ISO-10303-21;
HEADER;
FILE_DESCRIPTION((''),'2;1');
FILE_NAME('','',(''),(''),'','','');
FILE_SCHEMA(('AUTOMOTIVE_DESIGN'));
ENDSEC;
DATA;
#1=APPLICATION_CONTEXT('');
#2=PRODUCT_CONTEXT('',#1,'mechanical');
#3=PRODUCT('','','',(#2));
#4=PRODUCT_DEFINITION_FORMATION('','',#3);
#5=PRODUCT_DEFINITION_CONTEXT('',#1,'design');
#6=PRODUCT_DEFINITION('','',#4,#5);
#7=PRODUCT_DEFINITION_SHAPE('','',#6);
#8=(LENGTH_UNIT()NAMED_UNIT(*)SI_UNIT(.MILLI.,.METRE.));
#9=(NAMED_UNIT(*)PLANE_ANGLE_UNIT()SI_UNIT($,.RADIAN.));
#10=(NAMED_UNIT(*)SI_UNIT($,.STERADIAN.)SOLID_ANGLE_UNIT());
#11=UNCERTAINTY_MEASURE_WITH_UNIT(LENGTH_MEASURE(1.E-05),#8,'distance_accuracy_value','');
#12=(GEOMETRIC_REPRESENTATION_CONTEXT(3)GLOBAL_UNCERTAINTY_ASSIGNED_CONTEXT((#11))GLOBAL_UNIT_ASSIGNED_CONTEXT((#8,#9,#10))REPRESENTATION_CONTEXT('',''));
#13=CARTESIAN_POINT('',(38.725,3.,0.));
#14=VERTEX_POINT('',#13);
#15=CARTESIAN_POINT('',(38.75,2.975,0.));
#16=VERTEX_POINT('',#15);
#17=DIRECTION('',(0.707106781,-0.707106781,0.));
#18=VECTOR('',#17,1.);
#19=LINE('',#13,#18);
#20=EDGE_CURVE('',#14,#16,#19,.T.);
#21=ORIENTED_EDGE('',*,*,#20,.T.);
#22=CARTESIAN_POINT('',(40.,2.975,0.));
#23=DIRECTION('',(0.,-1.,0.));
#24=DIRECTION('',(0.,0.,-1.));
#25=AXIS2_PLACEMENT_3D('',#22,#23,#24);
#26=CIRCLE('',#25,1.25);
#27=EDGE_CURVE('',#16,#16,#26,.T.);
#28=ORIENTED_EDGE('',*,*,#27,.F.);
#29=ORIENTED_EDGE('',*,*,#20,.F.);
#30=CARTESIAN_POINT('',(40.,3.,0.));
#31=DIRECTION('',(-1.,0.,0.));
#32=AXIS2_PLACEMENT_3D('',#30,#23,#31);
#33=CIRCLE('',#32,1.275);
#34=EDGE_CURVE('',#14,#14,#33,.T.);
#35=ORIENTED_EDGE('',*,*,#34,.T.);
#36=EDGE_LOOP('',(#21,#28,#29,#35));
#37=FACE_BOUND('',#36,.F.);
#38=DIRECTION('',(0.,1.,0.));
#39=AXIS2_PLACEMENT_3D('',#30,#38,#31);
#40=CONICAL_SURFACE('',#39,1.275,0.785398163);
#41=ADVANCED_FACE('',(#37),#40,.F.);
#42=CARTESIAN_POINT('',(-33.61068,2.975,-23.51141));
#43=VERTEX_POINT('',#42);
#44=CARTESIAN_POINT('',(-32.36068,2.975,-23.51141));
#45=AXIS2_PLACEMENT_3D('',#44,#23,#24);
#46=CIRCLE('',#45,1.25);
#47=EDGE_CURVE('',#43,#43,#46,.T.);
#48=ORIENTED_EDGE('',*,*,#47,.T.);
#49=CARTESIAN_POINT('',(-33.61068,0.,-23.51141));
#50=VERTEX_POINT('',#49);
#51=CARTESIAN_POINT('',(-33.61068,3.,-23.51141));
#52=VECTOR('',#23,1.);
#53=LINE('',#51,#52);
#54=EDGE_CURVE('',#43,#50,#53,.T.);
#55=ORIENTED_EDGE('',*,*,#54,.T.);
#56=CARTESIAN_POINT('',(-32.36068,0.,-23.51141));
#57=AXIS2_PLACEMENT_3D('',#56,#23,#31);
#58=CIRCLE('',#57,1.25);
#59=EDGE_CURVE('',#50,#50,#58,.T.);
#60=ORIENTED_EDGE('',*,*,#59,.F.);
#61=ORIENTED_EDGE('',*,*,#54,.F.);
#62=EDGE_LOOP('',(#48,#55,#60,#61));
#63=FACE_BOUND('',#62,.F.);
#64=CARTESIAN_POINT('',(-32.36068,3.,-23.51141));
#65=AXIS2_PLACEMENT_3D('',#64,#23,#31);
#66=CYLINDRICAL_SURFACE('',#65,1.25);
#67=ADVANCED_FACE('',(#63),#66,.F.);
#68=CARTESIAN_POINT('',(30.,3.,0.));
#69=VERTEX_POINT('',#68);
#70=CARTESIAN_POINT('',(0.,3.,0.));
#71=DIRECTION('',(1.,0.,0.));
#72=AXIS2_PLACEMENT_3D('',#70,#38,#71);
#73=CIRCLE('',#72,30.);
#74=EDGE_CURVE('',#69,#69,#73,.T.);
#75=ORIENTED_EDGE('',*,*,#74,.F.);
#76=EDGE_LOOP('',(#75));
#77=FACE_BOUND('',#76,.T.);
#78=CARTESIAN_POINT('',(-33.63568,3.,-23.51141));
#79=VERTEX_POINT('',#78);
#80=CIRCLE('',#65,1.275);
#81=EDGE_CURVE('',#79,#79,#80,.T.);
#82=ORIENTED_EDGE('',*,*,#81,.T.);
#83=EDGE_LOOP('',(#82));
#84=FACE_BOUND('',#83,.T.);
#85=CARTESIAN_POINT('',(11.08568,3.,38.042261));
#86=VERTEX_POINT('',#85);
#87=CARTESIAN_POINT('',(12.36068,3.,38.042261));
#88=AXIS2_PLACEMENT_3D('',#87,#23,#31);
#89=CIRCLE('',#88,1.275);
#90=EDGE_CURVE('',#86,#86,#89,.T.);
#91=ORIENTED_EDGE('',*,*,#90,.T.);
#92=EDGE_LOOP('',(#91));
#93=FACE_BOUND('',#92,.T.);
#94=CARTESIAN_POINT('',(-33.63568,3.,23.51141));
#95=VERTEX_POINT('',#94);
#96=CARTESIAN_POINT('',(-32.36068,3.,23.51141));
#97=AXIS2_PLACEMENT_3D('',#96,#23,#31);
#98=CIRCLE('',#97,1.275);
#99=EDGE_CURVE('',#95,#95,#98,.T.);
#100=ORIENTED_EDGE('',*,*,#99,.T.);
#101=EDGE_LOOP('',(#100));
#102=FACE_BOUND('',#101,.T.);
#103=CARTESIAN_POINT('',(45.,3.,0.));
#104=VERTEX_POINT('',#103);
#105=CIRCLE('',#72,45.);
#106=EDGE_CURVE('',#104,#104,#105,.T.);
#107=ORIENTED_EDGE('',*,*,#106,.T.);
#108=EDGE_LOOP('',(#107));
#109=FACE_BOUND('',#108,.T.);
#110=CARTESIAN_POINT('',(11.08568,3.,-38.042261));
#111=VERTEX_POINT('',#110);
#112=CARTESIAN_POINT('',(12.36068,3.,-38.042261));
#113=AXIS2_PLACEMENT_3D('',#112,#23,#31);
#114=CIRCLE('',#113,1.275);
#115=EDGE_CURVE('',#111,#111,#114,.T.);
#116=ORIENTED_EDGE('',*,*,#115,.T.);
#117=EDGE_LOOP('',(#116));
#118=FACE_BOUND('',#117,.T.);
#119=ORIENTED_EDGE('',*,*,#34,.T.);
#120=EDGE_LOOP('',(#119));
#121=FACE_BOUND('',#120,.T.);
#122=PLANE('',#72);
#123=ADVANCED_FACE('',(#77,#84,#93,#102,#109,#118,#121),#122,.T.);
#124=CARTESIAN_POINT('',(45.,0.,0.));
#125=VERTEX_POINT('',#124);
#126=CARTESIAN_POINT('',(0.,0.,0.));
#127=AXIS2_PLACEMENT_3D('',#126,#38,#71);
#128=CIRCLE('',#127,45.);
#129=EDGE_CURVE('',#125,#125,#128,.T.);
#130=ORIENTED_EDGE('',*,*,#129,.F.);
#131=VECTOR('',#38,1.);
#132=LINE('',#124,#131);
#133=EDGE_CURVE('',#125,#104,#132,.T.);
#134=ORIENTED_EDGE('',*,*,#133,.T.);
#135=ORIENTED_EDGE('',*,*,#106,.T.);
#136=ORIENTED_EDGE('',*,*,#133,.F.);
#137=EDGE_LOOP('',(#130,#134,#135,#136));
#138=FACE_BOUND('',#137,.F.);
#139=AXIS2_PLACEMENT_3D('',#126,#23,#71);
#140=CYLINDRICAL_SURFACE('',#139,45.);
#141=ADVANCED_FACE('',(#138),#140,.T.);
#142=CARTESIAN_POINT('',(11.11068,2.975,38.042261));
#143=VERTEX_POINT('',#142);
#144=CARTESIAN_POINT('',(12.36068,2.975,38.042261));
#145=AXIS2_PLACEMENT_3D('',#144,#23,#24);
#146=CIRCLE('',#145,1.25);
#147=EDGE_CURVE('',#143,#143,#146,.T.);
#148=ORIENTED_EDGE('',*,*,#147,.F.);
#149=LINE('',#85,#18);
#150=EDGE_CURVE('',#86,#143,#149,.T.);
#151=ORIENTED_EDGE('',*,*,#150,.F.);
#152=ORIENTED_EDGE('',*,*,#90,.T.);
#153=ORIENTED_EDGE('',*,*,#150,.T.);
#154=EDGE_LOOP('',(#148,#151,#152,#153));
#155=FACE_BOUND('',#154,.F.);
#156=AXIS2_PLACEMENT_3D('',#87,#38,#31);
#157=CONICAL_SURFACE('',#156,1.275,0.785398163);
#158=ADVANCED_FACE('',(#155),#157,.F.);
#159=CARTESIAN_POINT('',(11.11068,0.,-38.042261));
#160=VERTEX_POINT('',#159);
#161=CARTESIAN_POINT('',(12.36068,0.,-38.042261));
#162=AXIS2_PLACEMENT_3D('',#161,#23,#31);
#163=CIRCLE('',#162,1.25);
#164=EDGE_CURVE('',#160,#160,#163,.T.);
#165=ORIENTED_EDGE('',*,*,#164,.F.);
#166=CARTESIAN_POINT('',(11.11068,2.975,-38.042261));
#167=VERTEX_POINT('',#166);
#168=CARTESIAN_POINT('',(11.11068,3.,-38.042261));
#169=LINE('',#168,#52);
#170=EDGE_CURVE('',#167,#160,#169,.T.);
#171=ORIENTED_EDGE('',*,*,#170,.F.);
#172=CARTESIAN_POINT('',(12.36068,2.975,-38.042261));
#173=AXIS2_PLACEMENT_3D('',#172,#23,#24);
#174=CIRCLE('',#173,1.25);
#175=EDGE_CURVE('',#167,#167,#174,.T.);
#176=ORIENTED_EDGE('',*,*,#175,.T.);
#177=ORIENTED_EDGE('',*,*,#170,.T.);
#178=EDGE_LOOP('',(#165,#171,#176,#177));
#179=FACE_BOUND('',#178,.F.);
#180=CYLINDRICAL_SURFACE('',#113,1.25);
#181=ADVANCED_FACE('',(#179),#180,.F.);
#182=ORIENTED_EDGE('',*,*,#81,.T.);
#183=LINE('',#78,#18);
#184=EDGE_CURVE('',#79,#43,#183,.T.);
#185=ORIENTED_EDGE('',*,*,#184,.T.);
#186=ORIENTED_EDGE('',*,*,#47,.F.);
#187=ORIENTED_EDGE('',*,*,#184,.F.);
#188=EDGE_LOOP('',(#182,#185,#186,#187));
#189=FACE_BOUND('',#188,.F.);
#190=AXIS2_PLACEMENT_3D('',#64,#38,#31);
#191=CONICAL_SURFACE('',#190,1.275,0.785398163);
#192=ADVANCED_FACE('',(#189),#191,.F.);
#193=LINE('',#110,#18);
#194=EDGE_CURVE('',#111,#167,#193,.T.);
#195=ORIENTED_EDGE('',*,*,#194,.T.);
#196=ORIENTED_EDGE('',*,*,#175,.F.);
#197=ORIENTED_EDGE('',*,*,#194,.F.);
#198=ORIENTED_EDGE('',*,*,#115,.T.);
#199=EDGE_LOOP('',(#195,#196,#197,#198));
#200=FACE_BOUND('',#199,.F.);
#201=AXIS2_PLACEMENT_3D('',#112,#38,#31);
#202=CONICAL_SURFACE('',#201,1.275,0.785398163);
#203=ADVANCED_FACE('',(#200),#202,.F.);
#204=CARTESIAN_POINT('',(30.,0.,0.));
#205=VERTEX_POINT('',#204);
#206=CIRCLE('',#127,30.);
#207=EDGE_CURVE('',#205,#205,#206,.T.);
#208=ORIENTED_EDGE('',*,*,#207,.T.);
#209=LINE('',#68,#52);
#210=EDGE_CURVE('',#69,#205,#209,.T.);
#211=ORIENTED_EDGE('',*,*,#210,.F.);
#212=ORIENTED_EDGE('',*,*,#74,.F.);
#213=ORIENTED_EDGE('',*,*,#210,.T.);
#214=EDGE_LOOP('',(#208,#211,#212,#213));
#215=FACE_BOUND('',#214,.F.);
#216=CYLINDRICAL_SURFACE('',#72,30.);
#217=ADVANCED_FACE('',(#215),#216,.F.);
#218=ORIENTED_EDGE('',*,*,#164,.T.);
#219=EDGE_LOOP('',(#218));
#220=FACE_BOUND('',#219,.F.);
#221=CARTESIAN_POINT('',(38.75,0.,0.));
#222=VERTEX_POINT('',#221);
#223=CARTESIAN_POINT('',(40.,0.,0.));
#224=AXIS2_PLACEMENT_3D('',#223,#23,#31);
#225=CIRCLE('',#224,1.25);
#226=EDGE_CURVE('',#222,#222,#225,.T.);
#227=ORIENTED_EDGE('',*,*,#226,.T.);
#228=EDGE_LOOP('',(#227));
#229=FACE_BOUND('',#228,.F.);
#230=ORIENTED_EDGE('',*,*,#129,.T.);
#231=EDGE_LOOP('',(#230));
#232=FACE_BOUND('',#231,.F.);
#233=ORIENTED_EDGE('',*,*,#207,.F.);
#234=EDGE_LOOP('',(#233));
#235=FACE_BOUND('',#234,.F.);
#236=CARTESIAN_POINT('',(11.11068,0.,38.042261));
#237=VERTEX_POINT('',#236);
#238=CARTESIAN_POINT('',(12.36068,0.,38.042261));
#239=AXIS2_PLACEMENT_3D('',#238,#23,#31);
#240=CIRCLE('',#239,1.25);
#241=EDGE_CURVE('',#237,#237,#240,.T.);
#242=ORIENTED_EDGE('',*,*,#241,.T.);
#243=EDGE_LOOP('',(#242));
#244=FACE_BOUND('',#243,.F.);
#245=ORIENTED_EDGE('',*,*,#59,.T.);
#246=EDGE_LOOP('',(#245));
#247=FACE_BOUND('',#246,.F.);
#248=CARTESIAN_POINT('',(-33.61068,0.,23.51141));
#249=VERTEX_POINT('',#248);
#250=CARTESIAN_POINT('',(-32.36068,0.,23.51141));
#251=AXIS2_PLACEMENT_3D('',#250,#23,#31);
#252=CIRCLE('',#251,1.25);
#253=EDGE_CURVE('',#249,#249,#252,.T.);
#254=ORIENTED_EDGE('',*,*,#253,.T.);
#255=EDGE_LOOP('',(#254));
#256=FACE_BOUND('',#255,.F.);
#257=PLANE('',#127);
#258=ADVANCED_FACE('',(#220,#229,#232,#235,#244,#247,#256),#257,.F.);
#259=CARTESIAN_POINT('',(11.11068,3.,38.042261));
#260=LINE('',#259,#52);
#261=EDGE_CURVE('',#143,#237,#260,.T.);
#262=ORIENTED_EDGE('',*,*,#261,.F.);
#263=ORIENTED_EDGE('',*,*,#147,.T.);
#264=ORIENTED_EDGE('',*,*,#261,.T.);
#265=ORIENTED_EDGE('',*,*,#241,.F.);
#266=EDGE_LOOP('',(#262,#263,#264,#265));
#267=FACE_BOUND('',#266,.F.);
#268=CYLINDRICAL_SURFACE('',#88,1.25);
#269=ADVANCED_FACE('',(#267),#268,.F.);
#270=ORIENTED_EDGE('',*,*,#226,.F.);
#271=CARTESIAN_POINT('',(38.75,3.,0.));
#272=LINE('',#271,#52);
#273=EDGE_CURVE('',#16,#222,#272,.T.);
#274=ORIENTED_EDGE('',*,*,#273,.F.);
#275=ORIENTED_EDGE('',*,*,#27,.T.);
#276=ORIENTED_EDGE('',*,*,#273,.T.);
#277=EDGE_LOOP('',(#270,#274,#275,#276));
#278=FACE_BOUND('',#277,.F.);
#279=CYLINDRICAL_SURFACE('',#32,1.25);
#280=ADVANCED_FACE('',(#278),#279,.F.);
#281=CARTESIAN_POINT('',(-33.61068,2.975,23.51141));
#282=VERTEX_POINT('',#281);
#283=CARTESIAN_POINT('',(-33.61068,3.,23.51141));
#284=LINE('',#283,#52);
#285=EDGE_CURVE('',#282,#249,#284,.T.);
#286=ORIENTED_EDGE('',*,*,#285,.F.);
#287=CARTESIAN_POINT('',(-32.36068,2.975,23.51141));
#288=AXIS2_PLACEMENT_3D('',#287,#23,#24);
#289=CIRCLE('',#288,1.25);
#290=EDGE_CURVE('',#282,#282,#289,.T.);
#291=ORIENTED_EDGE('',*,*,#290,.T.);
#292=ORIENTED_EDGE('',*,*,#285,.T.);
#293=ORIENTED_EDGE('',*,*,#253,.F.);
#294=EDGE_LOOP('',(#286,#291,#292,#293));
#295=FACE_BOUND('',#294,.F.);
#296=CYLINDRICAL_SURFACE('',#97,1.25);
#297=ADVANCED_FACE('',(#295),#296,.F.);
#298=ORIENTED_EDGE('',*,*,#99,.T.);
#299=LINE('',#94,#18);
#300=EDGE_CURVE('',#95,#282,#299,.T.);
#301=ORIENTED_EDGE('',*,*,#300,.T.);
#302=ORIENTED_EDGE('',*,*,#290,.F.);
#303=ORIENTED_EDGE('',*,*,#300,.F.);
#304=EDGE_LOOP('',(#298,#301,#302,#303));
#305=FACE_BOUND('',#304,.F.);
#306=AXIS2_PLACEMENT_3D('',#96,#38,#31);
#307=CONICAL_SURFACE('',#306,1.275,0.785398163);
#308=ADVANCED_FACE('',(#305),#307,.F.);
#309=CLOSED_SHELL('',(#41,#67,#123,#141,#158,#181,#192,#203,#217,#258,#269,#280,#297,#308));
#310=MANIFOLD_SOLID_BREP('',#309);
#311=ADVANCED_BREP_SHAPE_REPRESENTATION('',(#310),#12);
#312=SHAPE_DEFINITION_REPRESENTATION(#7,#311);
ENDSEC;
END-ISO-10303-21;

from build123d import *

# Parameters (mm, degrees)
SKETCH_1_R                   = 45
EXTRUDE_1_DEPTH              = 3
SKETCH_5_R                   = 30
CUT_EXTRUDE_1_DEPTH          = 1
CUT_EXTRUDE_1_DEPTH_BACK     = 4
HOLE_WIZARD_M3_2_D           = 2.5
HOLE_WIZARD_M3_2_CSINK_D     = 2.55
HOLE_WIZARD_M3_2_CSINK_ANGLE = 90


with BuildPart() as part:
    # 草图1 → 凸台-拉伸1 (new body)
    with BuildSketch(Plane(origin=(0, 0, 0), x_dir=(1, 0, 0), z_dir=(0, 1, 0))):
        Circle(SKETCH_1_R)
    extrude(amount=EXTRUDE_1_DEPTH)

    # 草图5 → 切除-拉伸1 (cut, two sides)
    with BuildSketch(Plane(origin=(0, 3, 0), x_dir=(1, 0, 0), z_dir=(0, 1, 0))) as cut_extrude_1_sk:
        Circle(SKETCH_5_R)
    extrude(amount=CUT_EXTRUDE_1_DEPTH, mode=Mode.SUBTRACT)
    extrude(cut_extrude_1_sk.sketch, amount=-CUT_EXTRUDE_1_DEPTH_BACK, mode=Mode.SUBTRACT)

    # M3 螺纹孔的螺纹孔钻头2 (through all)
    with Locations(Plane(origin=(0, 3, 0), x_dir=(1, 0, 0), z_dir=(0, 1, 0))):
        with Locations((0, 0), (40, 0), (12.360679775, -38.042260652), (-32.360679775, -23.511410092), (-32.360679775, 23.511410092), (12.360679775, 38.042260652)):
            CounterSinkHole(HOLE_WIZARD_M3_2_D / 2, HOLE_WIZARD_M3_2_CSINK_D / 2, counter_sink_angle=HOLE_WIZARD_M3_2_CSINK_ANGLE)


solid = part.part
